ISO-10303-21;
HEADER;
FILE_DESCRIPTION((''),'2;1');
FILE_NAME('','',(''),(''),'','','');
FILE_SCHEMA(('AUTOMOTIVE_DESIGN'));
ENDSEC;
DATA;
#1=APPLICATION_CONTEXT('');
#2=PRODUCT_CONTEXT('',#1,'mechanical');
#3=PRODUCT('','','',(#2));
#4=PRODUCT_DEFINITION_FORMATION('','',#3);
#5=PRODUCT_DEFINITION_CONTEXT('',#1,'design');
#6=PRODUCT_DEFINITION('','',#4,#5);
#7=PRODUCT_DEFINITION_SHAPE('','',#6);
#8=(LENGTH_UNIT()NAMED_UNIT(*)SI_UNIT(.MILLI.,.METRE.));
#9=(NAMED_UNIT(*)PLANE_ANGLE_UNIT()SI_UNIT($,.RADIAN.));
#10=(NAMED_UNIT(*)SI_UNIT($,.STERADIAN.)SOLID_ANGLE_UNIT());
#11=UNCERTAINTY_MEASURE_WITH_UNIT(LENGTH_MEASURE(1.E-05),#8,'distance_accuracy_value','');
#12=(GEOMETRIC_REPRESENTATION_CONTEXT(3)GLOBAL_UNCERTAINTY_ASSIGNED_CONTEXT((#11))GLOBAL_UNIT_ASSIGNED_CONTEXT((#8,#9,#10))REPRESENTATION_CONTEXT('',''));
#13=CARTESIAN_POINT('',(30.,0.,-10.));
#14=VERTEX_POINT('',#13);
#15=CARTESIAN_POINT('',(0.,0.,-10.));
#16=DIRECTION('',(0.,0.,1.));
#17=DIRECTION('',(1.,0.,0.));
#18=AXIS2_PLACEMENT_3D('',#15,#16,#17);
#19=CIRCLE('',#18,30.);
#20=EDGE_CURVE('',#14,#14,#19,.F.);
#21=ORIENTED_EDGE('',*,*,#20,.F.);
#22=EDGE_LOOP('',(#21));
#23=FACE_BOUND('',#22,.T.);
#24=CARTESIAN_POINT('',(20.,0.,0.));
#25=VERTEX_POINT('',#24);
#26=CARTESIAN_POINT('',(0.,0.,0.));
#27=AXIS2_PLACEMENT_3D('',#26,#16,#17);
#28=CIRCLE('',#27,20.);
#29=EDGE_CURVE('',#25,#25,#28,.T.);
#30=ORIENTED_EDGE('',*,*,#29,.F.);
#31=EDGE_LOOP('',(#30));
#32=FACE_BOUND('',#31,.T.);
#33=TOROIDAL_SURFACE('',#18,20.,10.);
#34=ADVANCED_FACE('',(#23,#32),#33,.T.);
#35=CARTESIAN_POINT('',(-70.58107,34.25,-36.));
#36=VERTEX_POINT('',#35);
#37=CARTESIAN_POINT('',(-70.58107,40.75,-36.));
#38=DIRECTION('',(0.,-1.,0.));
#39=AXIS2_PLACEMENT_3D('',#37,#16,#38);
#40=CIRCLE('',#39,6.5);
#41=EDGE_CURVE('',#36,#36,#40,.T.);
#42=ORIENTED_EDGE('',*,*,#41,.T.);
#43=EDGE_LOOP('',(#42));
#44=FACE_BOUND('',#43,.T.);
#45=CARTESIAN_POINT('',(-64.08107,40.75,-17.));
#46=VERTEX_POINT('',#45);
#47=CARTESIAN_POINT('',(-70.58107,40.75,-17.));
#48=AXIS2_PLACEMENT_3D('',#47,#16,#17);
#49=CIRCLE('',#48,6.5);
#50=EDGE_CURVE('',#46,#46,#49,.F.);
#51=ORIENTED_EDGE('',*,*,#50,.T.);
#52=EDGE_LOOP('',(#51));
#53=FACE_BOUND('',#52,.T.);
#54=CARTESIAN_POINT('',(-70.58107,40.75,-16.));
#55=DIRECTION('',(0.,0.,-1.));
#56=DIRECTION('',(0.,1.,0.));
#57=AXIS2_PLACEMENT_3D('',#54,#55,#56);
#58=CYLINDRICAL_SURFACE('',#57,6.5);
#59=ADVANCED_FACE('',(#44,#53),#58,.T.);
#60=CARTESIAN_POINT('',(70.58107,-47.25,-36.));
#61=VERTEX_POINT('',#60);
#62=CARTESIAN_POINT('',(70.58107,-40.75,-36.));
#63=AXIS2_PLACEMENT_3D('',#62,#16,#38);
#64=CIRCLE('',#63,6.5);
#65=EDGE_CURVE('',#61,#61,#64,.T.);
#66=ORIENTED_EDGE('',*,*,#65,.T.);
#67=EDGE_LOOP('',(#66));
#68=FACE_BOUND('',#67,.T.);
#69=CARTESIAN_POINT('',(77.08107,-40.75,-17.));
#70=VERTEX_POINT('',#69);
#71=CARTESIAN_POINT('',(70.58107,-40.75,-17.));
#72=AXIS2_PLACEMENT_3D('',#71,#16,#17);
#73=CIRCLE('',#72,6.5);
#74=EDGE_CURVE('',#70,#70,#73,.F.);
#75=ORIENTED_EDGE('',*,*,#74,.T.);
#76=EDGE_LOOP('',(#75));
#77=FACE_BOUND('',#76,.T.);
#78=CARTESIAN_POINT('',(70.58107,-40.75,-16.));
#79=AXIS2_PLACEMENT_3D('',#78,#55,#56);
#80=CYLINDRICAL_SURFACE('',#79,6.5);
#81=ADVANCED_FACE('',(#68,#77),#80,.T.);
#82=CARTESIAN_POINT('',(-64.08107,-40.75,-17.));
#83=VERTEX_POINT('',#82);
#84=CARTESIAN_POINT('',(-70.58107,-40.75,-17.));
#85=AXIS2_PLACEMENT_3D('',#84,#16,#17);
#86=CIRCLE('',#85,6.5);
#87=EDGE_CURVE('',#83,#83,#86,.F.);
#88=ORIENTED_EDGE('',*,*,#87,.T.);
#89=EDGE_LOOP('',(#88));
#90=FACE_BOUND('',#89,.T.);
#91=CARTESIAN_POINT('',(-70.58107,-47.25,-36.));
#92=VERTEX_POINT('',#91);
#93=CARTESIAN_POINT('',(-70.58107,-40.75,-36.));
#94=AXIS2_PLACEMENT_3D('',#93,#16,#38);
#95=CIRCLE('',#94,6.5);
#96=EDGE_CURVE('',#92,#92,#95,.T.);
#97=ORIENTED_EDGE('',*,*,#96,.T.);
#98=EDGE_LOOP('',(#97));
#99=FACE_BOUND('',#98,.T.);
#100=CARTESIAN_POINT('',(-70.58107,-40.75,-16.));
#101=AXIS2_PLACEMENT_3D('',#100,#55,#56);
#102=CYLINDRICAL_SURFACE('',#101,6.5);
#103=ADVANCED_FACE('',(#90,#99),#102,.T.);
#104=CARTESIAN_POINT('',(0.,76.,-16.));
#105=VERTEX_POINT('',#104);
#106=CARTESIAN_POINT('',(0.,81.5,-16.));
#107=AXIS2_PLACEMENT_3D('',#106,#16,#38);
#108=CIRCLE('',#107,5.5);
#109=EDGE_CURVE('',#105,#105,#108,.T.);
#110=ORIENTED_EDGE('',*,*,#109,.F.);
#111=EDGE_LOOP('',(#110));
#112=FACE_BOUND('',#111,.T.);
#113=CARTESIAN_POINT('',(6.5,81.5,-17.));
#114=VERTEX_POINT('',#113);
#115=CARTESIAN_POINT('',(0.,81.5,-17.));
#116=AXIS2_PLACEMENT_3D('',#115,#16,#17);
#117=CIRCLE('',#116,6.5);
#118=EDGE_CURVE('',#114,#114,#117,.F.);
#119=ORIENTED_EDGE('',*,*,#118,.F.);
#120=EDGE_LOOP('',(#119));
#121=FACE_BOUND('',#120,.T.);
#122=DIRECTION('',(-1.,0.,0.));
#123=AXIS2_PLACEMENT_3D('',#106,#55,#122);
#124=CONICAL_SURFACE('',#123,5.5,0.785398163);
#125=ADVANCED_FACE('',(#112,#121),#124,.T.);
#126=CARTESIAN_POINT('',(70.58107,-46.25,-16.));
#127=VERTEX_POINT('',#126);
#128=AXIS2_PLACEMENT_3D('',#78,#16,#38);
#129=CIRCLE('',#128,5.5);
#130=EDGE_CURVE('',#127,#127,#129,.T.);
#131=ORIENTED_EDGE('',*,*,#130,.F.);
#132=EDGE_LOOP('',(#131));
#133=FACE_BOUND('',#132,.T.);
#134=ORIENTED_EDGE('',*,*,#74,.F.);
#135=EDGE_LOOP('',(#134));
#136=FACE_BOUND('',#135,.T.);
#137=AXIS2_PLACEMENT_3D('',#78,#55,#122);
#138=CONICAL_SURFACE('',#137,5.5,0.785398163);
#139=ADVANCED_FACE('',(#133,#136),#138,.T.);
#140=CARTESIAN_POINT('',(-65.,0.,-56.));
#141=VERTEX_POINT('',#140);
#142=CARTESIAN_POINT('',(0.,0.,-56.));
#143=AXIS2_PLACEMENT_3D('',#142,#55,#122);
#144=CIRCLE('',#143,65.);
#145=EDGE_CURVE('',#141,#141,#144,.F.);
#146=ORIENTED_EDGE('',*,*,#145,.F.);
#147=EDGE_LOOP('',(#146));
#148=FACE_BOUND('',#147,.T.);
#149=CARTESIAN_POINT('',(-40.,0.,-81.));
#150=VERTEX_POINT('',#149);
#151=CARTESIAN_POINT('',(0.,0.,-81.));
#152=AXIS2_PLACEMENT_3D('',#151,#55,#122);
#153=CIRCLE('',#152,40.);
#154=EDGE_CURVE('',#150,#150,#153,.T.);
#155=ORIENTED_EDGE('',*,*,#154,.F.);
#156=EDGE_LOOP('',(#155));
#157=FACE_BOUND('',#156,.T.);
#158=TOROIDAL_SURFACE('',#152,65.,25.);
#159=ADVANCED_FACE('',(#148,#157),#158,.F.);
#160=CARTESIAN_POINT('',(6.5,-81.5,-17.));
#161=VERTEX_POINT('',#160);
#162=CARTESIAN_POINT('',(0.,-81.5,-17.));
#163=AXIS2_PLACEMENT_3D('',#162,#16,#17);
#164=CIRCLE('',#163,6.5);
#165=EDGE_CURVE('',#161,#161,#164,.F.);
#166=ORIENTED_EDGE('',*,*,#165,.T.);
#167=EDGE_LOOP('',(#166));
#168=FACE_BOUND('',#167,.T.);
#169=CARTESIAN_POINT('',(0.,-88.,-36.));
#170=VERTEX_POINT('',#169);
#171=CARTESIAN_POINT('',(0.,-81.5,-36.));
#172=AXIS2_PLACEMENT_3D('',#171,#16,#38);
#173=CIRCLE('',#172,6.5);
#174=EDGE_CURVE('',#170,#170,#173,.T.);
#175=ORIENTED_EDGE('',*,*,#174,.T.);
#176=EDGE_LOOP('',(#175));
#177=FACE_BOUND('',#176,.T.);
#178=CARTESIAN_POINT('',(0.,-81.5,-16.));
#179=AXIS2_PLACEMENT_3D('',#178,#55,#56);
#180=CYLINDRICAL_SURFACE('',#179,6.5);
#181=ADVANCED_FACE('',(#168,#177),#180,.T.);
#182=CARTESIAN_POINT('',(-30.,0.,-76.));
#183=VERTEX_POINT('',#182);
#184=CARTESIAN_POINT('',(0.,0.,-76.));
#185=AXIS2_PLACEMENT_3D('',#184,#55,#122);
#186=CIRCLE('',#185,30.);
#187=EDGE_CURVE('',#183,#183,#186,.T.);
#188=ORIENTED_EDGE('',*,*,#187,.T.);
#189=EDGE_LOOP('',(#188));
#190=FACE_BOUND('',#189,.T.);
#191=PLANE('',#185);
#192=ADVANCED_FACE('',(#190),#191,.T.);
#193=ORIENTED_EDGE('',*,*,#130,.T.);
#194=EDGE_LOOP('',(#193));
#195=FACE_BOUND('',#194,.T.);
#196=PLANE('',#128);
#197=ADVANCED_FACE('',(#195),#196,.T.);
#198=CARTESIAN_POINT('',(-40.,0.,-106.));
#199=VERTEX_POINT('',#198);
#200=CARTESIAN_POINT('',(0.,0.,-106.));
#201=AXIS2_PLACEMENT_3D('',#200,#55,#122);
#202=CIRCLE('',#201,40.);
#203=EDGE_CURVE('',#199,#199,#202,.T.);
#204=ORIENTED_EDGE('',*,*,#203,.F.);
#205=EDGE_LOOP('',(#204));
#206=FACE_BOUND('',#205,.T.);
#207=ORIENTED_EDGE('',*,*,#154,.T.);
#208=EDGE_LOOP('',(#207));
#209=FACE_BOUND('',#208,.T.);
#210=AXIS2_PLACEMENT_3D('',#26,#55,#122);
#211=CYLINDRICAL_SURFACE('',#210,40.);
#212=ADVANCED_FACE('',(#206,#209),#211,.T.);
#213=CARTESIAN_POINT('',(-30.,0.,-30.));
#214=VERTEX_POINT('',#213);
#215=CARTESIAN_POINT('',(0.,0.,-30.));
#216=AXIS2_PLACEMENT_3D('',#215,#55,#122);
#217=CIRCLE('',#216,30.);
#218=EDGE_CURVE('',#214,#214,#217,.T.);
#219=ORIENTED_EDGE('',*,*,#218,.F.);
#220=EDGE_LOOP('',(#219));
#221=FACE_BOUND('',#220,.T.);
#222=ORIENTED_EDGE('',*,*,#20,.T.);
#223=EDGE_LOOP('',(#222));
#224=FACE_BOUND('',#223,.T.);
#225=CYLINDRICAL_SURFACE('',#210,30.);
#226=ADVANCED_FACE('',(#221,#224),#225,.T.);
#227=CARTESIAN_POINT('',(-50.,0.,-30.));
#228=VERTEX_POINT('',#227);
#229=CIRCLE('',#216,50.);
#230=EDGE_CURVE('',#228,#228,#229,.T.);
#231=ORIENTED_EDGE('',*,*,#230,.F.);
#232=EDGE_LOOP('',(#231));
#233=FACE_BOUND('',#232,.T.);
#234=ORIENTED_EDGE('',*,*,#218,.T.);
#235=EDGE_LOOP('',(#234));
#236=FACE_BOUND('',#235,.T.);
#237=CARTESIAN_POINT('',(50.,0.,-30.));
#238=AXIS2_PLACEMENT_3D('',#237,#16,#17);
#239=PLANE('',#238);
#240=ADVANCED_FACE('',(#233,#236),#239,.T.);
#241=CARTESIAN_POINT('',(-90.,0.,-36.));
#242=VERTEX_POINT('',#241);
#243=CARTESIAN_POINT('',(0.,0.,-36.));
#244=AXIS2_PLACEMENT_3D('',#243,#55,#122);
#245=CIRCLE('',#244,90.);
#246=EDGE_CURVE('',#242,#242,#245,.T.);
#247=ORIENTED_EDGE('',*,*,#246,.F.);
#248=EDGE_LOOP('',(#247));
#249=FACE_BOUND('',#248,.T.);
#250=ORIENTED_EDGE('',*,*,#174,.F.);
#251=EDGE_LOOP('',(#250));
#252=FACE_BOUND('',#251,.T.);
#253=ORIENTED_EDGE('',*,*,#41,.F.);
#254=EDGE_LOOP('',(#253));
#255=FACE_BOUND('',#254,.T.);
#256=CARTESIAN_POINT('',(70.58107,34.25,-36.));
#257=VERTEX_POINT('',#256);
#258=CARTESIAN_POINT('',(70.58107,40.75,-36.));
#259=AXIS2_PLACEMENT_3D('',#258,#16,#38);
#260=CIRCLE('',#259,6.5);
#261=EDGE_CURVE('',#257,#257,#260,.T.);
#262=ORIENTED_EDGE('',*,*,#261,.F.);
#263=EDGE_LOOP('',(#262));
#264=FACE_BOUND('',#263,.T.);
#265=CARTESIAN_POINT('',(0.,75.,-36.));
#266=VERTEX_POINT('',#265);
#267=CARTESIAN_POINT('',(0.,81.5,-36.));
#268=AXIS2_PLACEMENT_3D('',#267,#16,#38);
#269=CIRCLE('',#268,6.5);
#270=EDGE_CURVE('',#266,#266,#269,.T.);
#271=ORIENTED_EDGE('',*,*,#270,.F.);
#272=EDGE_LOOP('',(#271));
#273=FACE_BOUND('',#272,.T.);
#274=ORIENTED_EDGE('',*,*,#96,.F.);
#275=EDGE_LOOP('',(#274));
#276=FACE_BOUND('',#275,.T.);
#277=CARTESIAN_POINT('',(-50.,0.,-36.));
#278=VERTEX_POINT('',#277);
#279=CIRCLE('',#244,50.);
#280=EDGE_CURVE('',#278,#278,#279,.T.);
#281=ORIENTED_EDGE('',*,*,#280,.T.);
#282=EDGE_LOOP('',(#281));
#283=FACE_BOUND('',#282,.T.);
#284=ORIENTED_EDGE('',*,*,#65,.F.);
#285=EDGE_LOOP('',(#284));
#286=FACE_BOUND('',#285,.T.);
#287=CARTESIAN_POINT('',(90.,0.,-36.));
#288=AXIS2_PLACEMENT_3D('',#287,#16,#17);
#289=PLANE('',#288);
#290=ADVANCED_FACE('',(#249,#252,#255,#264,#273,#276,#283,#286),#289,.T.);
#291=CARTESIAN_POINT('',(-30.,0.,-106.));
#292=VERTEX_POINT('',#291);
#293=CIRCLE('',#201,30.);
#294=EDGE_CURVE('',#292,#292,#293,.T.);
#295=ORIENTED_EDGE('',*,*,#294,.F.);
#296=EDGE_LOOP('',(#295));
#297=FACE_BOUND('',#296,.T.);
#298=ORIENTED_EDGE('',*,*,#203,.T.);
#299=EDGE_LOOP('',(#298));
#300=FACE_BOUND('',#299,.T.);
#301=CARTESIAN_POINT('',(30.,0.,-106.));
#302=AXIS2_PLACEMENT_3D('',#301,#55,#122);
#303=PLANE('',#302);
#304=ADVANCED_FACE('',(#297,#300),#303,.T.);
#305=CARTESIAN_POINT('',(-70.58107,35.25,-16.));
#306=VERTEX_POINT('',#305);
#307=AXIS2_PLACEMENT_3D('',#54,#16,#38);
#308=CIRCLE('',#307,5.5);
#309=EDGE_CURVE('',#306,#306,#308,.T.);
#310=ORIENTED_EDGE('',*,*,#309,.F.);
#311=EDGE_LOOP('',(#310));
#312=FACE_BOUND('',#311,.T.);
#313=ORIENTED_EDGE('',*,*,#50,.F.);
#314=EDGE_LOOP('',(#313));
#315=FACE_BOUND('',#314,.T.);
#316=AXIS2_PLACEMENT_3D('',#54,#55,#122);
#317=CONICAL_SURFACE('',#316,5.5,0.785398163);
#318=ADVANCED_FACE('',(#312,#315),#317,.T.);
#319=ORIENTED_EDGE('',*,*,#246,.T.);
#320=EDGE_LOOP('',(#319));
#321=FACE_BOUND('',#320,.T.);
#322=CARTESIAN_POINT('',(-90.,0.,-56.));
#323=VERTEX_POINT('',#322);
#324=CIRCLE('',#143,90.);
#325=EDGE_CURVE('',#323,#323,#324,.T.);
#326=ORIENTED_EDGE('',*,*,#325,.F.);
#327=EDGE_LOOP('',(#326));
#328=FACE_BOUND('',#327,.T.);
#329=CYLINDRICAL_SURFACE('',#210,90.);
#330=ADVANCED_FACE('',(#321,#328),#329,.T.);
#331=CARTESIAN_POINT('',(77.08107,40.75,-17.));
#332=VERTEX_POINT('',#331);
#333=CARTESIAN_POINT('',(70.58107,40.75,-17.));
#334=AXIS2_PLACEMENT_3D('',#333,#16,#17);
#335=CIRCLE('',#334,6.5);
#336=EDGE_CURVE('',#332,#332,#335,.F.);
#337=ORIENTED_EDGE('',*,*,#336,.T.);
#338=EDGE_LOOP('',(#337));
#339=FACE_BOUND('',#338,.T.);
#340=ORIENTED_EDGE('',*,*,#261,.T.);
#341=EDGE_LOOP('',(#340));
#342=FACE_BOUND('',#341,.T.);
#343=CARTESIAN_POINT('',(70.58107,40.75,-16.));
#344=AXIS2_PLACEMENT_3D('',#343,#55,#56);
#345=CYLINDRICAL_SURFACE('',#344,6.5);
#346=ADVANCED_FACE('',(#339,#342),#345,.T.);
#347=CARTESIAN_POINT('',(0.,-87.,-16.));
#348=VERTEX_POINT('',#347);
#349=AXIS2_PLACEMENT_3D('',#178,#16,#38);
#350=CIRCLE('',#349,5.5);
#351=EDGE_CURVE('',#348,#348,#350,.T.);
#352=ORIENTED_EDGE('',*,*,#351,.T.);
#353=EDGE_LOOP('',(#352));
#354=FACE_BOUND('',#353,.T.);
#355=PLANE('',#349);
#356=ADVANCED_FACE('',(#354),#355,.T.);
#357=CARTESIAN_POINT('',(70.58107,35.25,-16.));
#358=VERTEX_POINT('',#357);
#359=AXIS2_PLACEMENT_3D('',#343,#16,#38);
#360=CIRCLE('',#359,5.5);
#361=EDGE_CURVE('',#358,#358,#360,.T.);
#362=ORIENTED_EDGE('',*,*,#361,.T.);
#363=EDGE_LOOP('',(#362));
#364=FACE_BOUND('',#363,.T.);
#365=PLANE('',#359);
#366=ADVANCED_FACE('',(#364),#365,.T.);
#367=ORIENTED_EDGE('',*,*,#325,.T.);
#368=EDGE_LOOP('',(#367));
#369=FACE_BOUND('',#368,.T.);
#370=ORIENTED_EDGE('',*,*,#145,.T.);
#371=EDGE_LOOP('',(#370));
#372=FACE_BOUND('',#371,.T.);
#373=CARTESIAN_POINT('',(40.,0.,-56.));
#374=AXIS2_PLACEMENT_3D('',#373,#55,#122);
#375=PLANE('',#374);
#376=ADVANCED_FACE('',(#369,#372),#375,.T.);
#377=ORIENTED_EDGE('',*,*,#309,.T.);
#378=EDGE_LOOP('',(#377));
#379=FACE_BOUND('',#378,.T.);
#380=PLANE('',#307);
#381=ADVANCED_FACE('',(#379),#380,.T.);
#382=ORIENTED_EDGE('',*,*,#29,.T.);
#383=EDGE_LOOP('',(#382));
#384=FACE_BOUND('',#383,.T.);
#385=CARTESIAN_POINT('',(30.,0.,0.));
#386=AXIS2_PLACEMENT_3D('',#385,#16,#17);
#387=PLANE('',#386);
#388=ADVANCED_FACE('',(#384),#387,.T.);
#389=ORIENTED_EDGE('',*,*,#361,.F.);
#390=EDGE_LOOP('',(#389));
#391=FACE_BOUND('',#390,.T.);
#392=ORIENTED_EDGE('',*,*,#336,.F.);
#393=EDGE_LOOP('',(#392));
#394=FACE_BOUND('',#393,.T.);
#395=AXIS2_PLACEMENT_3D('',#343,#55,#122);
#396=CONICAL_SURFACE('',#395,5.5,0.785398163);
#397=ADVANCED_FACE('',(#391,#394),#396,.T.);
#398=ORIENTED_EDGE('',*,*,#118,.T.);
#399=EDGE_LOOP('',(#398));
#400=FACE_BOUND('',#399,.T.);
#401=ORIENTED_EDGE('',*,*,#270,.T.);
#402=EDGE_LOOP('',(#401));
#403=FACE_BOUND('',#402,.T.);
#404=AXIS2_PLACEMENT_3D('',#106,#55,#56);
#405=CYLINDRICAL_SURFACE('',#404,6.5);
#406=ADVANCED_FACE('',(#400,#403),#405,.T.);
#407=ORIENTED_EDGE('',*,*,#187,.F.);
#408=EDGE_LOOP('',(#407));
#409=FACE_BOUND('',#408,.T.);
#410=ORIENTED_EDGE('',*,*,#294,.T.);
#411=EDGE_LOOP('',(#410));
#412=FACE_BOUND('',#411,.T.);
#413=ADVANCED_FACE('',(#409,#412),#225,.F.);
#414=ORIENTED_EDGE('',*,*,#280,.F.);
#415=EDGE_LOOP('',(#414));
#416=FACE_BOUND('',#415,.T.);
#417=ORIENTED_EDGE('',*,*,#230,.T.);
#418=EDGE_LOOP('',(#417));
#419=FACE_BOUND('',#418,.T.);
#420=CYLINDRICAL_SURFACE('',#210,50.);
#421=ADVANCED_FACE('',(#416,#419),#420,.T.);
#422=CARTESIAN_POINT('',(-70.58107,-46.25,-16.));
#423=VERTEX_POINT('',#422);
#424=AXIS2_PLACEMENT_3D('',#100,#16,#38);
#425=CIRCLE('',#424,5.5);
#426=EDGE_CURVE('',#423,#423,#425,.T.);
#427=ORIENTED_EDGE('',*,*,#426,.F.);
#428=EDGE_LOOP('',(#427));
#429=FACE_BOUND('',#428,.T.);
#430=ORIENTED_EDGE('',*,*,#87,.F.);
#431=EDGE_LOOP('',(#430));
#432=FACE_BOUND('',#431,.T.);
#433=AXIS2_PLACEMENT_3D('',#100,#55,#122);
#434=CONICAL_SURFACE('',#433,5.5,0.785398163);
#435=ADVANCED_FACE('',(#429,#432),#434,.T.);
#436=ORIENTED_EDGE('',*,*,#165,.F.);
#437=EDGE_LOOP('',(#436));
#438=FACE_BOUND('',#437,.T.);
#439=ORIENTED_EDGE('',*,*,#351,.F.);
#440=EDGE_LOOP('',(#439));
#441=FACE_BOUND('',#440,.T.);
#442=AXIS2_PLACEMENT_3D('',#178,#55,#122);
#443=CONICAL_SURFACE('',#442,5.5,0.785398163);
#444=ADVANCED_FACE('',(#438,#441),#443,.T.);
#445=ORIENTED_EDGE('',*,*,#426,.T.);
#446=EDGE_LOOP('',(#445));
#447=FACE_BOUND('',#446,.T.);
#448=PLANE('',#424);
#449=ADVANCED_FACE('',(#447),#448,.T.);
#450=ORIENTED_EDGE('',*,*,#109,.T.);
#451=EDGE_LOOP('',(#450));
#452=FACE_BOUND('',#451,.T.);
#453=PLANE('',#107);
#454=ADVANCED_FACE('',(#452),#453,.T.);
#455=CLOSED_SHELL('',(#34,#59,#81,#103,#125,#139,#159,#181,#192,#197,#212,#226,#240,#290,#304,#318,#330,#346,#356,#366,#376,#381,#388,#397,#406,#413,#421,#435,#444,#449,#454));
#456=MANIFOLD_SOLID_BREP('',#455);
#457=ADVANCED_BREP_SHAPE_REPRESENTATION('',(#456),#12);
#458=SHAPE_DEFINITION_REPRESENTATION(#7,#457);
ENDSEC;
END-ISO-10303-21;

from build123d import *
from OCP.BRepFilletAPI import BRepFilletAPI_MakeFillet

# Parameters (mm, degrees)
SKETCH7_R           = 6.5
BOSS_EXTRUDE2_DEPTH = 20
FILLET2_R1          = 25
FILLET2_R2          = 10
CHAMFER1_SIZE       = 1


with BuildPart() as part:
    # Sketch6 → Revolve2 (revolve)
    with BuildSketch(Plane(origin=(0, 0, -433528.712964682), x_dir=(-1, 0, 0), z_dir=(0, -1, 0))):
        Polygon((-30, -433528.712964682), (0, -433528.712964682), (0, -433452.712964682), (-30, -433452.712964682), (-30, -433422.712964682), (-40, -433422.712964682), (-40, -433472.712964682), (-90, -433472.712964682), (-90, -433492.712964682), (-50, -433492.712964682), (-50, -433498.712964682), (-30, -433498.712964682), align=None)
    revolve(axis=Axis((0, 0, 0), (0, 0, -1)))

    # Sketch7 → Boss-Extrude2 (add)
    with BuildSketch(Plane(origin=(0, 0, -36), x_dir=(-1, 0, 0), z_dir=(0, 0, 1))):
        with Locations((70.581070408, 40.75)):
            Circle(SKETCH7_R)
        with Locations((0, 81.5)):
            Circle(SKETCH7_R)
        with Locations((70.581070408, -40.75)):
            Circle(SKETCH7_R)
        with Locations((0, -81.5)):
            Circle(SKETCH7_R)
        with Locations((-70.581070408, -40.75)):
            Circle(SKETCH7_R)
        with Locations((-70.581070408, 40.75)):
            Circle(SKETCH7_R)
    extrude(amount=BOSS_EXTRUDE2_DEPTH)

    # Fillet2: one fillet with a radius per group of edges: ONE call of the kernel's fillet builder (fillet() takes one radius for all edges)
    fillet2_edges_1 = [part.edges().sort_by_distance(p)[0] for p in [
        (-40, 0, -56),
    ]]
    fillet2_edges_2 = [part.edges().sort_by_distance(p)[0] for p in [
        (-30, 0, 0),
    ]]
    fillet2 = BRepFilletAPI_MakeFillet(part.part.solid().wrapped)
    for e in fillet2_edges_1:
        fillet2.Add(FILLET2_R1, e.wrapped)
    for e in fillet2_edges_2:
        fillet2.Add(FILLET2_R2, e.wrapped)
    add(Compound.cast(fillet2.Shape()), mode=Mode.REPLACE)

    # Chamfer1
    chamfer1_edges = [part.edges().sort_by_distance(p)[0] for p in [
        (-64.081070408, -40.75, -16),
        (77.081070408, 40.75, -16),
        (77.081070408, -40.75, -16),
        (6.5, -81.5, -16),
        (6.5, 81.5, -16),
        (-64.081070408, 40.75, -16),
    ]]
    chamfer(chamfer1_edges, length=CHAMFER1_SIZE)


solid = part.part
